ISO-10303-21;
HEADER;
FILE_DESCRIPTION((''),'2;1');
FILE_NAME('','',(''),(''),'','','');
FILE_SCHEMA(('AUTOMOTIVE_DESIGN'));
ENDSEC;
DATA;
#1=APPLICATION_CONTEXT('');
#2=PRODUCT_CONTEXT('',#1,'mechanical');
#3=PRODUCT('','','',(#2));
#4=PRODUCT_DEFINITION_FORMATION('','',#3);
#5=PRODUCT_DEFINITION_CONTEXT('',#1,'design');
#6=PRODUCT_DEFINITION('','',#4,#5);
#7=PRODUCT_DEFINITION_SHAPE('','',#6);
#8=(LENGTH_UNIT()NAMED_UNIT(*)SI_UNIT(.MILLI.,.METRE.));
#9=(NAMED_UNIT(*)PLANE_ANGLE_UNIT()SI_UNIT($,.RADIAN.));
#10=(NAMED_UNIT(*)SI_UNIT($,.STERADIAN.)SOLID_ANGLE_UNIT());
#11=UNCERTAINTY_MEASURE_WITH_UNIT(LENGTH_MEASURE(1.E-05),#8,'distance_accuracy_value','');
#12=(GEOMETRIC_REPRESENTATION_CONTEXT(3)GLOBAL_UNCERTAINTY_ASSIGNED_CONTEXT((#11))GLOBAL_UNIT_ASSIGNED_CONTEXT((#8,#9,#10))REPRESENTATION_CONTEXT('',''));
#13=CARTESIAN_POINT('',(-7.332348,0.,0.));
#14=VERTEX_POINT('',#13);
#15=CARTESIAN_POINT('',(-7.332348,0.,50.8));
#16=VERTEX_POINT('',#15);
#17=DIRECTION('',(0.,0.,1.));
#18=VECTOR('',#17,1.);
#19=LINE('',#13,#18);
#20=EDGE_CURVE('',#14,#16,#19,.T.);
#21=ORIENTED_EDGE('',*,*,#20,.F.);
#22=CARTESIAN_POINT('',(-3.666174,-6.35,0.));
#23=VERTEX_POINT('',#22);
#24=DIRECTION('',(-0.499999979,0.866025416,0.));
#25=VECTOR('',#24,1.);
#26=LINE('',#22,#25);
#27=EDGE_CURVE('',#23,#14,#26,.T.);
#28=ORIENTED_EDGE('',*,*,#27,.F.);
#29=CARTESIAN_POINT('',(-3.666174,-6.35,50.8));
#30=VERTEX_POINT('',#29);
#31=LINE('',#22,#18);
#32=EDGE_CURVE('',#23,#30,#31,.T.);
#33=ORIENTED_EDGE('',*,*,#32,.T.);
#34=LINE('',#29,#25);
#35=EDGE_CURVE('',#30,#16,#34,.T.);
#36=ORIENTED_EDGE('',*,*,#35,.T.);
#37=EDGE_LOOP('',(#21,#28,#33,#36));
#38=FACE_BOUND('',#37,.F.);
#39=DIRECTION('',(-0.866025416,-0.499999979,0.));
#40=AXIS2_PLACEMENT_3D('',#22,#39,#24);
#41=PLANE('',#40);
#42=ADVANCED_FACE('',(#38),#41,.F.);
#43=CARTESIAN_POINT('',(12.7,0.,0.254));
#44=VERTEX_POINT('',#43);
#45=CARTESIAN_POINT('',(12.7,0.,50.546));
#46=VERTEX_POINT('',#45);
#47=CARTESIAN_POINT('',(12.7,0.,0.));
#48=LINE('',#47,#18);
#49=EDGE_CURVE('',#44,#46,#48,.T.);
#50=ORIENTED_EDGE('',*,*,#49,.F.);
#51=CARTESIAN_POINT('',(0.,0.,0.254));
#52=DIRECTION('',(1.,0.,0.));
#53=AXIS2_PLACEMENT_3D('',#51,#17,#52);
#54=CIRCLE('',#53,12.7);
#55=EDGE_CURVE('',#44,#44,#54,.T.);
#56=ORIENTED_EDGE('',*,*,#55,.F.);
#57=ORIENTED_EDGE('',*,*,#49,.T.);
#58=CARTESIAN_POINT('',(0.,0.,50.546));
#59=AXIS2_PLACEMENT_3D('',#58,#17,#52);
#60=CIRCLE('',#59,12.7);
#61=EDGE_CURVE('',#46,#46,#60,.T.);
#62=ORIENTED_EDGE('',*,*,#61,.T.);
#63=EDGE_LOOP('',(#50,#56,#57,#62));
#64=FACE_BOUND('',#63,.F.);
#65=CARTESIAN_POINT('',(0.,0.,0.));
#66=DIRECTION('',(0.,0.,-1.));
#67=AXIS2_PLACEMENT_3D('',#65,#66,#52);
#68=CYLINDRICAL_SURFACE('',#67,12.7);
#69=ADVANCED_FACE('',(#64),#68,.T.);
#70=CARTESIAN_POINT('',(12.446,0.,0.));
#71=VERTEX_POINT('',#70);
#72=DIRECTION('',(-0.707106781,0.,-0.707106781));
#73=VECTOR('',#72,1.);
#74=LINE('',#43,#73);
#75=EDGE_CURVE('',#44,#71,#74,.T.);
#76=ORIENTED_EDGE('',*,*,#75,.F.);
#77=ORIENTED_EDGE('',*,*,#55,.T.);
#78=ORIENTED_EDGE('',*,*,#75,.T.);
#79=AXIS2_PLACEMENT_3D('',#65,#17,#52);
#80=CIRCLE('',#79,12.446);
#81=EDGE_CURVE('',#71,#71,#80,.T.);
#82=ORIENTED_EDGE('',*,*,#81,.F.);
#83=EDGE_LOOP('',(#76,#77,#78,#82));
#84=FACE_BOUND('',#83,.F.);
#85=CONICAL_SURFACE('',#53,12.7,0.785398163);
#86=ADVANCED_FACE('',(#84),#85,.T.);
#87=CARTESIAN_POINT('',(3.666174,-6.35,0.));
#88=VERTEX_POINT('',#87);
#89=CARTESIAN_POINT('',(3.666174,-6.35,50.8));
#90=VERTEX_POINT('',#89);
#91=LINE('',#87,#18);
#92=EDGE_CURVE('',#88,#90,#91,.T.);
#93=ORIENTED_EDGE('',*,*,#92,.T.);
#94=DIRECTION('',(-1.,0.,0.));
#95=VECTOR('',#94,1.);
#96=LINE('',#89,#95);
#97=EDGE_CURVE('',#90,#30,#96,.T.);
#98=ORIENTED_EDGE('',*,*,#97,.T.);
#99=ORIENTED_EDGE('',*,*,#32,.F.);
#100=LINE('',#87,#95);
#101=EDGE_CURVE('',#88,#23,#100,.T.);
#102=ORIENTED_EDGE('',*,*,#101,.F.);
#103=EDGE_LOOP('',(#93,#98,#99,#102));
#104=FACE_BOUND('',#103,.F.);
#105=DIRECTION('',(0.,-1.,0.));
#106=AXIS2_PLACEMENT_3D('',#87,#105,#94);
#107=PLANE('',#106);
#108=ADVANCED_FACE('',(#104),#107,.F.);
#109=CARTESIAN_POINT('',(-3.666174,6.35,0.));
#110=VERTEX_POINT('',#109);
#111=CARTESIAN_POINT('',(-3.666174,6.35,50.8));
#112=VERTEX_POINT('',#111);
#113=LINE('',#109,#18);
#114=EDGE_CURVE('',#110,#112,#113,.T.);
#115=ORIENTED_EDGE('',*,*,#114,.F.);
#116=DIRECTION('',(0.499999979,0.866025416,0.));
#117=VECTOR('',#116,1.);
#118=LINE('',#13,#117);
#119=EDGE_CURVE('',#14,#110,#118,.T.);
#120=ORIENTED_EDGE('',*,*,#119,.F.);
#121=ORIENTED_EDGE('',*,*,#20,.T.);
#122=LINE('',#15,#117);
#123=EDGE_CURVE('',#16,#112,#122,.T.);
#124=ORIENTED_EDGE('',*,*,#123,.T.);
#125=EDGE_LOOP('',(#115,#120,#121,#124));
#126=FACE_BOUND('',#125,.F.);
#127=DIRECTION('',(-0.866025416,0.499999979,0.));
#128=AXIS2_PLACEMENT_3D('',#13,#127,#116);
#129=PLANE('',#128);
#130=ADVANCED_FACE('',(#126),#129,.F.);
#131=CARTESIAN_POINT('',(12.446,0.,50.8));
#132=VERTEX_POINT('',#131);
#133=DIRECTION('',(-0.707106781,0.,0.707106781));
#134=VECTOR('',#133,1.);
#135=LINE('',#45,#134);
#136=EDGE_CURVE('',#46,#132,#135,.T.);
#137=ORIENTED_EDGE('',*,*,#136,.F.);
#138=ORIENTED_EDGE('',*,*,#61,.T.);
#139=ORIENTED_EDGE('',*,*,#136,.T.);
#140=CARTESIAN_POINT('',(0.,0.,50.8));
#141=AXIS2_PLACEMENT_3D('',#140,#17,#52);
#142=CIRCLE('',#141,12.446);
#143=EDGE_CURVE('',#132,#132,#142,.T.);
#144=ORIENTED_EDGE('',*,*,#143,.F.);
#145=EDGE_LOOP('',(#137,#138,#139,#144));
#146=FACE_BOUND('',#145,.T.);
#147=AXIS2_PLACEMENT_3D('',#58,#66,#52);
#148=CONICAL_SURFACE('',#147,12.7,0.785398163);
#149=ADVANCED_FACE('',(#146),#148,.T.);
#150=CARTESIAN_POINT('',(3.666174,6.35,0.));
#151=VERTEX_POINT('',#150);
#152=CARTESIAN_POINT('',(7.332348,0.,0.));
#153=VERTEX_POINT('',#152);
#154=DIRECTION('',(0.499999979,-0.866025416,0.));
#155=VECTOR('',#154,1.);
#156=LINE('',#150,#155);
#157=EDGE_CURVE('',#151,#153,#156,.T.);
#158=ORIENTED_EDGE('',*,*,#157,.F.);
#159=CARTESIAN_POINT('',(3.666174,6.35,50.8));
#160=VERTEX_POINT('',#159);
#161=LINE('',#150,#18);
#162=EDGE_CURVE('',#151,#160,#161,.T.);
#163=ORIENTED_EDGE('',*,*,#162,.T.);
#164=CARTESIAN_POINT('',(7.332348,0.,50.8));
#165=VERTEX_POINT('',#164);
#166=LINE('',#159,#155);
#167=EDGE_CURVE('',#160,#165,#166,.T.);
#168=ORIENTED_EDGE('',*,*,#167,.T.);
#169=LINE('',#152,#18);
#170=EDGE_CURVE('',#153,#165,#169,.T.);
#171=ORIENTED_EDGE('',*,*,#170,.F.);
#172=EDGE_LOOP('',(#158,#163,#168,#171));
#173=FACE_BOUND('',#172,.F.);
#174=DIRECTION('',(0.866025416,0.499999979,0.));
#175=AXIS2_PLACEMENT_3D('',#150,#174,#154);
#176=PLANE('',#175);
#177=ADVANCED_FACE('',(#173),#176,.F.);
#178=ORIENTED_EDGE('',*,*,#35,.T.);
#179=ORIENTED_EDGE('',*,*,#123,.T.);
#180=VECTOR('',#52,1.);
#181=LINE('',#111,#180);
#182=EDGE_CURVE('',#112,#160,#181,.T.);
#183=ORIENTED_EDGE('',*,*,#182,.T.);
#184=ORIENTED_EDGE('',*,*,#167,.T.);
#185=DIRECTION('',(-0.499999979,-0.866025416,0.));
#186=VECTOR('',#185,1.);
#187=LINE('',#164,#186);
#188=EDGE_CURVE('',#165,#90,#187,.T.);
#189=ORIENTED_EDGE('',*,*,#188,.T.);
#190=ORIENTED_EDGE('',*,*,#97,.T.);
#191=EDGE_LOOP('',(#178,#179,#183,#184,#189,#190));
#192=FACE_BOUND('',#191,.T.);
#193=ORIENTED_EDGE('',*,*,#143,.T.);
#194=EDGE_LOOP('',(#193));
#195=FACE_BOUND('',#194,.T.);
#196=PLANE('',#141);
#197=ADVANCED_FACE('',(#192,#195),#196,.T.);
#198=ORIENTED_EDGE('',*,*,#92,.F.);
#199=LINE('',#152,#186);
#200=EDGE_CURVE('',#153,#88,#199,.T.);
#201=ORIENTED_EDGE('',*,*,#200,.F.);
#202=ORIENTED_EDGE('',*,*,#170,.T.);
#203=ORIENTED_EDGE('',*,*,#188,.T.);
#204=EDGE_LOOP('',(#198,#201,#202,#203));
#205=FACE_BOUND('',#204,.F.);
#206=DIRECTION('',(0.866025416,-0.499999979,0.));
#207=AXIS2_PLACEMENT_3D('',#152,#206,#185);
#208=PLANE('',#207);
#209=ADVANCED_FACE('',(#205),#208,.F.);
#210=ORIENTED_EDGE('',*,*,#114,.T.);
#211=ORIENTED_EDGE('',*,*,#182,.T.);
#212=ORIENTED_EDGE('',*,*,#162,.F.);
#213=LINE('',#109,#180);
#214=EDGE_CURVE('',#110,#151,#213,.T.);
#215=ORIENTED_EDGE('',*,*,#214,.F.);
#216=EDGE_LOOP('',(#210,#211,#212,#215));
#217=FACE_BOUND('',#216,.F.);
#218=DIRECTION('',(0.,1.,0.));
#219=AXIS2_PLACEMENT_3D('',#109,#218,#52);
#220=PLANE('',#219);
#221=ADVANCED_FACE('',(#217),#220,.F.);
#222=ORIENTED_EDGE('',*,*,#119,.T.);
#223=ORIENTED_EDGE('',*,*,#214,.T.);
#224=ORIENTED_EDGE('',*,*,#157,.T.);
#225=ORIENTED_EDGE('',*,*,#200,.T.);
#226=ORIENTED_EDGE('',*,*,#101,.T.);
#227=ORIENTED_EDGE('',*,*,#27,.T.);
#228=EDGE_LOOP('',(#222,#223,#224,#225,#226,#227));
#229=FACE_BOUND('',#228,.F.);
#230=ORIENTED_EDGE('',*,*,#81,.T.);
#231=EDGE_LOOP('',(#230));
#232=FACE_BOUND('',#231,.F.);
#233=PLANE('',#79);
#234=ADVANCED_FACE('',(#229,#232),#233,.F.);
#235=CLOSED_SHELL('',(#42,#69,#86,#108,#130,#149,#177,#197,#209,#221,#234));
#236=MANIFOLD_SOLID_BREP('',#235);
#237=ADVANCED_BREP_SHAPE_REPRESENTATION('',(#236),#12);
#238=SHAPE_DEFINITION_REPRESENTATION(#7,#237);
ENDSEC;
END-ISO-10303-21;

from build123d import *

# Parameters (mm, degrees)
F0_R     = 12.7
F1_DEPTH = 50.8
F2_SIZE  = 0.254


with BuildPart() as f1:
    # F0 (on Top) → F1 (new body)
    with BuildSketch(Plane.XY):
        Circle(F0_R)
        Polygon((-3.666174, 6.35), (3.666174, 6.35), (7.332348, 0), (3.666174, -6.35), (-3.666174, -6.35), (-7.332348, 0), align=None, mode=Mode.SUBTRACT)
    extrude(amount=F1_DEPTH)

    # F2
    f2_edges = [f1.edges().sort_by_distance(p)[0] for p in [
        (-12.7, 0, 50.8),
        (-12.7, 0, 0),
    ]]
    chamfer(f2_edges, length=F2_SIZE)


solid = f1.part
